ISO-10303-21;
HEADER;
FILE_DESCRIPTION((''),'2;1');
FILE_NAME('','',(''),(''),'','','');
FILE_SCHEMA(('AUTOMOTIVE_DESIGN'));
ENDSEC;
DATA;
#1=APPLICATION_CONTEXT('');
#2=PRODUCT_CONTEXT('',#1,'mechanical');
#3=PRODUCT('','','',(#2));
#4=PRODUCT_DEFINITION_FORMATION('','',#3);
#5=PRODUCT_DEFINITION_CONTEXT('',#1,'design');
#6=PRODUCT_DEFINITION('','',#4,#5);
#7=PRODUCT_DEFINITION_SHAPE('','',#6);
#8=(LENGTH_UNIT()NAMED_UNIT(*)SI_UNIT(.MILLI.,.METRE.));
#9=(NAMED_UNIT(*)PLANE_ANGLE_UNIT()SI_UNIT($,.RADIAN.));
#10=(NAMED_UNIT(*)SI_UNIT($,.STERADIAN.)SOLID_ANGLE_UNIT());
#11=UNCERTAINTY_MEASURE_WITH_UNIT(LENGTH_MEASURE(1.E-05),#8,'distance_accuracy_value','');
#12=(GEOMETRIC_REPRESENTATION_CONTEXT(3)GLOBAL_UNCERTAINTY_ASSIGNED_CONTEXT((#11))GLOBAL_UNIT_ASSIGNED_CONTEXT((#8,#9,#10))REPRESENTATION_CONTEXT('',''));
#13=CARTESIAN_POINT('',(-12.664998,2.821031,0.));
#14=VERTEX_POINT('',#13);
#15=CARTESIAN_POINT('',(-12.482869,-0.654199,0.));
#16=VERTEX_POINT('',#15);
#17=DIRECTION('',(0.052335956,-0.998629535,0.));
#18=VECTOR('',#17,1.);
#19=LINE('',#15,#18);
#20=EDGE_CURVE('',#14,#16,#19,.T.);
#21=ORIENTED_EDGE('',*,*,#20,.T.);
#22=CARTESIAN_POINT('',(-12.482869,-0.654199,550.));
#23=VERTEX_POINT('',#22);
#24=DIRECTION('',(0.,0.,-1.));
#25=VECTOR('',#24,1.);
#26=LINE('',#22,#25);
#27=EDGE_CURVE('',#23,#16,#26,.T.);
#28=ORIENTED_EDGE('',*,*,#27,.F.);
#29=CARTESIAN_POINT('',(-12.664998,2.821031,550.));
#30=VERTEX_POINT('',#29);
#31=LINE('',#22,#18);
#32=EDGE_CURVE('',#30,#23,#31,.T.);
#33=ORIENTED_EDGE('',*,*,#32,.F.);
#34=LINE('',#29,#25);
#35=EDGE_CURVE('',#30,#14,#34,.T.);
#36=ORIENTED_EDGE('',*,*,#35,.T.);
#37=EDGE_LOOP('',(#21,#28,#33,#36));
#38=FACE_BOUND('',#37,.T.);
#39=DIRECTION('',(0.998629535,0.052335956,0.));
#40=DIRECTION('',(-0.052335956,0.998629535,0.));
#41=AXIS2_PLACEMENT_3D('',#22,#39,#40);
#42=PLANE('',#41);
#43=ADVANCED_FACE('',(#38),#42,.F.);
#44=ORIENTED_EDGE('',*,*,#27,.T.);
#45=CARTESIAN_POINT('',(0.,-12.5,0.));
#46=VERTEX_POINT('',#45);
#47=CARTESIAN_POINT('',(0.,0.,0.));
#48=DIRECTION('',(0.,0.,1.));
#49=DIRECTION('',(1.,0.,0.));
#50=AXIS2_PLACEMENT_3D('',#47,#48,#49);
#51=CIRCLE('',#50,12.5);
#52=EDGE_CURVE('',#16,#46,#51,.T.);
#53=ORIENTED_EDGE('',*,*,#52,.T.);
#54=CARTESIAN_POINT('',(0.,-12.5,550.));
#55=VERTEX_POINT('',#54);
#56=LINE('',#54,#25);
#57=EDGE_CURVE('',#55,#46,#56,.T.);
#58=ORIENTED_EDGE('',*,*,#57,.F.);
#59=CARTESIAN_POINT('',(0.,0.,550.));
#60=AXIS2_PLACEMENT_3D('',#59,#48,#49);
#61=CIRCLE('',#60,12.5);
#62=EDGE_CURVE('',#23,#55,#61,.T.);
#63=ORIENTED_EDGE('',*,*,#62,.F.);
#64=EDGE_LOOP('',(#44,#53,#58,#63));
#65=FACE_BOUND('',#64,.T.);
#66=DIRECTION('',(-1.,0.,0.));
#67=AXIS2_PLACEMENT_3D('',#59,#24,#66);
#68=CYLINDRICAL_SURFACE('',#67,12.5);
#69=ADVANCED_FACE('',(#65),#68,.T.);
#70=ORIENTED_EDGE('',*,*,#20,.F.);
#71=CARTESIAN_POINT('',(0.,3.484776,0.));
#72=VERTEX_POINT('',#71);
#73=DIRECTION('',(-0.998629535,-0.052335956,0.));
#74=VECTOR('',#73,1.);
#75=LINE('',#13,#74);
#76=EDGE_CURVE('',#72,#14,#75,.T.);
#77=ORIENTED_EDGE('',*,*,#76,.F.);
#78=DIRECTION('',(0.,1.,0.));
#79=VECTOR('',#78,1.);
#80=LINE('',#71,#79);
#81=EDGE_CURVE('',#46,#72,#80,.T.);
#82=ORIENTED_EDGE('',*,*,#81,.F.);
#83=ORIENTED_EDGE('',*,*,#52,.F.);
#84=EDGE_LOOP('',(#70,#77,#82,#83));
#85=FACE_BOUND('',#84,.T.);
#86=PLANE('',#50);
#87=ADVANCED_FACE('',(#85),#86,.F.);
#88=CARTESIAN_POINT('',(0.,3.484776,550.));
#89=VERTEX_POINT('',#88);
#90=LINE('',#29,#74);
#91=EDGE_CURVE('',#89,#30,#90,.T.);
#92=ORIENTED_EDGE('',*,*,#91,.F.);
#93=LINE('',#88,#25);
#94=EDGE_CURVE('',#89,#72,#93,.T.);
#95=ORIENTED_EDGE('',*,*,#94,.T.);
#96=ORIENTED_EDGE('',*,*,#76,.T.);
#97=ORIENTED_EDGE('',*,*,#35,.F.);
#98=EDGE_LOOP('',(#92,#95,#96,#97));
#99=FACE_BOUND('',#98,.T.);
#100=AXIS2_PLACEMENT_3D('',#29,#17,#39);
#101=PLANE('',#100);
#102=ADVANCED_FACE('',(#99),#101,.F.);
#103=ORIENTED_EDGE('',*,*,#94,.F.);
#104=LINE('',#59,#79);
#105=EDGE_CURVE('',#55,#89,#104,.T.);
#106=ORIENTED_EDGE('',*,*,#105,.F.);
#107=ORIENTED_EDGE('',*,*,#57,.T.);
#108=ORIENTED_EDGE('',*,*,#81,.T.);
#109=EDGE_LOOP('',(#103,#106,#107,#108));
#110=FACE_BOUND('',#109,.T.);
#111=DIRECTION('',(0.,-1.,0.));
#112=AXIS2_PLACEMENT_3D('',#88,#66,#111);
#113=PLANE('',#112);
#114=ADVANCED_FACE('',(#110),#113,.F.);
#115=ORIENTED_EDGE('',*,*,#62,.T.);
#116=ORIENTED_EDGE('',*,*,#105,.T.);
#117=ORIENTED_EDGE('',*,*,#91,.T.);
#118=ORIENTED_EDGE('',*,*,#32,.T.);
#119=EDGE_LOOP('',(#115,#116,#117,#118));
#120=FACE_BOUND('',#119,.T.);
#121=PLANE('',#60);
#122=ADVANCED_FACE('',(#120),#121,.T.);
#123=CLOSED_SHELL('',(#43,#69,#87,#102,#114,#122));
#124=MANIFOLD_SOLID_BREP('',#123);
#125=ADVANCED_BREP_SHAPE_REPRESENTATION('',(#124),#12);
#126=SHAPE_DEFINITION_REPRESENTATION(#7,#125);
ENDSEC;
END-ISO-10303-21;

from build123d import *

# Parameters (mm, degrees)
BOSS_EXTRUDE1_DEPTH = 550


with BuildPart() as part:
    # Sketch2 → Boss-Extrude1 (new body)
    with BuildSketch(Plane.XY):
        with BuildLine():
            Line((0, 0), (0, -12.5))
            ThreePointArc((0, -12.5), (-8.604432196, -9.067179638), (-12.482869184, -0.654199453))
            Line((-12.482869184, -0.654199453), (-12.664998312, 2.821031328))
            Line((-12.664998312, 2.821031328), (0, 3.484775764))
            Line((0, 3.484775764), (0, 0))
        make_face()
    extrude(amount=BOSS_EXTRUDE1_DEPTH)


solid = part.part
